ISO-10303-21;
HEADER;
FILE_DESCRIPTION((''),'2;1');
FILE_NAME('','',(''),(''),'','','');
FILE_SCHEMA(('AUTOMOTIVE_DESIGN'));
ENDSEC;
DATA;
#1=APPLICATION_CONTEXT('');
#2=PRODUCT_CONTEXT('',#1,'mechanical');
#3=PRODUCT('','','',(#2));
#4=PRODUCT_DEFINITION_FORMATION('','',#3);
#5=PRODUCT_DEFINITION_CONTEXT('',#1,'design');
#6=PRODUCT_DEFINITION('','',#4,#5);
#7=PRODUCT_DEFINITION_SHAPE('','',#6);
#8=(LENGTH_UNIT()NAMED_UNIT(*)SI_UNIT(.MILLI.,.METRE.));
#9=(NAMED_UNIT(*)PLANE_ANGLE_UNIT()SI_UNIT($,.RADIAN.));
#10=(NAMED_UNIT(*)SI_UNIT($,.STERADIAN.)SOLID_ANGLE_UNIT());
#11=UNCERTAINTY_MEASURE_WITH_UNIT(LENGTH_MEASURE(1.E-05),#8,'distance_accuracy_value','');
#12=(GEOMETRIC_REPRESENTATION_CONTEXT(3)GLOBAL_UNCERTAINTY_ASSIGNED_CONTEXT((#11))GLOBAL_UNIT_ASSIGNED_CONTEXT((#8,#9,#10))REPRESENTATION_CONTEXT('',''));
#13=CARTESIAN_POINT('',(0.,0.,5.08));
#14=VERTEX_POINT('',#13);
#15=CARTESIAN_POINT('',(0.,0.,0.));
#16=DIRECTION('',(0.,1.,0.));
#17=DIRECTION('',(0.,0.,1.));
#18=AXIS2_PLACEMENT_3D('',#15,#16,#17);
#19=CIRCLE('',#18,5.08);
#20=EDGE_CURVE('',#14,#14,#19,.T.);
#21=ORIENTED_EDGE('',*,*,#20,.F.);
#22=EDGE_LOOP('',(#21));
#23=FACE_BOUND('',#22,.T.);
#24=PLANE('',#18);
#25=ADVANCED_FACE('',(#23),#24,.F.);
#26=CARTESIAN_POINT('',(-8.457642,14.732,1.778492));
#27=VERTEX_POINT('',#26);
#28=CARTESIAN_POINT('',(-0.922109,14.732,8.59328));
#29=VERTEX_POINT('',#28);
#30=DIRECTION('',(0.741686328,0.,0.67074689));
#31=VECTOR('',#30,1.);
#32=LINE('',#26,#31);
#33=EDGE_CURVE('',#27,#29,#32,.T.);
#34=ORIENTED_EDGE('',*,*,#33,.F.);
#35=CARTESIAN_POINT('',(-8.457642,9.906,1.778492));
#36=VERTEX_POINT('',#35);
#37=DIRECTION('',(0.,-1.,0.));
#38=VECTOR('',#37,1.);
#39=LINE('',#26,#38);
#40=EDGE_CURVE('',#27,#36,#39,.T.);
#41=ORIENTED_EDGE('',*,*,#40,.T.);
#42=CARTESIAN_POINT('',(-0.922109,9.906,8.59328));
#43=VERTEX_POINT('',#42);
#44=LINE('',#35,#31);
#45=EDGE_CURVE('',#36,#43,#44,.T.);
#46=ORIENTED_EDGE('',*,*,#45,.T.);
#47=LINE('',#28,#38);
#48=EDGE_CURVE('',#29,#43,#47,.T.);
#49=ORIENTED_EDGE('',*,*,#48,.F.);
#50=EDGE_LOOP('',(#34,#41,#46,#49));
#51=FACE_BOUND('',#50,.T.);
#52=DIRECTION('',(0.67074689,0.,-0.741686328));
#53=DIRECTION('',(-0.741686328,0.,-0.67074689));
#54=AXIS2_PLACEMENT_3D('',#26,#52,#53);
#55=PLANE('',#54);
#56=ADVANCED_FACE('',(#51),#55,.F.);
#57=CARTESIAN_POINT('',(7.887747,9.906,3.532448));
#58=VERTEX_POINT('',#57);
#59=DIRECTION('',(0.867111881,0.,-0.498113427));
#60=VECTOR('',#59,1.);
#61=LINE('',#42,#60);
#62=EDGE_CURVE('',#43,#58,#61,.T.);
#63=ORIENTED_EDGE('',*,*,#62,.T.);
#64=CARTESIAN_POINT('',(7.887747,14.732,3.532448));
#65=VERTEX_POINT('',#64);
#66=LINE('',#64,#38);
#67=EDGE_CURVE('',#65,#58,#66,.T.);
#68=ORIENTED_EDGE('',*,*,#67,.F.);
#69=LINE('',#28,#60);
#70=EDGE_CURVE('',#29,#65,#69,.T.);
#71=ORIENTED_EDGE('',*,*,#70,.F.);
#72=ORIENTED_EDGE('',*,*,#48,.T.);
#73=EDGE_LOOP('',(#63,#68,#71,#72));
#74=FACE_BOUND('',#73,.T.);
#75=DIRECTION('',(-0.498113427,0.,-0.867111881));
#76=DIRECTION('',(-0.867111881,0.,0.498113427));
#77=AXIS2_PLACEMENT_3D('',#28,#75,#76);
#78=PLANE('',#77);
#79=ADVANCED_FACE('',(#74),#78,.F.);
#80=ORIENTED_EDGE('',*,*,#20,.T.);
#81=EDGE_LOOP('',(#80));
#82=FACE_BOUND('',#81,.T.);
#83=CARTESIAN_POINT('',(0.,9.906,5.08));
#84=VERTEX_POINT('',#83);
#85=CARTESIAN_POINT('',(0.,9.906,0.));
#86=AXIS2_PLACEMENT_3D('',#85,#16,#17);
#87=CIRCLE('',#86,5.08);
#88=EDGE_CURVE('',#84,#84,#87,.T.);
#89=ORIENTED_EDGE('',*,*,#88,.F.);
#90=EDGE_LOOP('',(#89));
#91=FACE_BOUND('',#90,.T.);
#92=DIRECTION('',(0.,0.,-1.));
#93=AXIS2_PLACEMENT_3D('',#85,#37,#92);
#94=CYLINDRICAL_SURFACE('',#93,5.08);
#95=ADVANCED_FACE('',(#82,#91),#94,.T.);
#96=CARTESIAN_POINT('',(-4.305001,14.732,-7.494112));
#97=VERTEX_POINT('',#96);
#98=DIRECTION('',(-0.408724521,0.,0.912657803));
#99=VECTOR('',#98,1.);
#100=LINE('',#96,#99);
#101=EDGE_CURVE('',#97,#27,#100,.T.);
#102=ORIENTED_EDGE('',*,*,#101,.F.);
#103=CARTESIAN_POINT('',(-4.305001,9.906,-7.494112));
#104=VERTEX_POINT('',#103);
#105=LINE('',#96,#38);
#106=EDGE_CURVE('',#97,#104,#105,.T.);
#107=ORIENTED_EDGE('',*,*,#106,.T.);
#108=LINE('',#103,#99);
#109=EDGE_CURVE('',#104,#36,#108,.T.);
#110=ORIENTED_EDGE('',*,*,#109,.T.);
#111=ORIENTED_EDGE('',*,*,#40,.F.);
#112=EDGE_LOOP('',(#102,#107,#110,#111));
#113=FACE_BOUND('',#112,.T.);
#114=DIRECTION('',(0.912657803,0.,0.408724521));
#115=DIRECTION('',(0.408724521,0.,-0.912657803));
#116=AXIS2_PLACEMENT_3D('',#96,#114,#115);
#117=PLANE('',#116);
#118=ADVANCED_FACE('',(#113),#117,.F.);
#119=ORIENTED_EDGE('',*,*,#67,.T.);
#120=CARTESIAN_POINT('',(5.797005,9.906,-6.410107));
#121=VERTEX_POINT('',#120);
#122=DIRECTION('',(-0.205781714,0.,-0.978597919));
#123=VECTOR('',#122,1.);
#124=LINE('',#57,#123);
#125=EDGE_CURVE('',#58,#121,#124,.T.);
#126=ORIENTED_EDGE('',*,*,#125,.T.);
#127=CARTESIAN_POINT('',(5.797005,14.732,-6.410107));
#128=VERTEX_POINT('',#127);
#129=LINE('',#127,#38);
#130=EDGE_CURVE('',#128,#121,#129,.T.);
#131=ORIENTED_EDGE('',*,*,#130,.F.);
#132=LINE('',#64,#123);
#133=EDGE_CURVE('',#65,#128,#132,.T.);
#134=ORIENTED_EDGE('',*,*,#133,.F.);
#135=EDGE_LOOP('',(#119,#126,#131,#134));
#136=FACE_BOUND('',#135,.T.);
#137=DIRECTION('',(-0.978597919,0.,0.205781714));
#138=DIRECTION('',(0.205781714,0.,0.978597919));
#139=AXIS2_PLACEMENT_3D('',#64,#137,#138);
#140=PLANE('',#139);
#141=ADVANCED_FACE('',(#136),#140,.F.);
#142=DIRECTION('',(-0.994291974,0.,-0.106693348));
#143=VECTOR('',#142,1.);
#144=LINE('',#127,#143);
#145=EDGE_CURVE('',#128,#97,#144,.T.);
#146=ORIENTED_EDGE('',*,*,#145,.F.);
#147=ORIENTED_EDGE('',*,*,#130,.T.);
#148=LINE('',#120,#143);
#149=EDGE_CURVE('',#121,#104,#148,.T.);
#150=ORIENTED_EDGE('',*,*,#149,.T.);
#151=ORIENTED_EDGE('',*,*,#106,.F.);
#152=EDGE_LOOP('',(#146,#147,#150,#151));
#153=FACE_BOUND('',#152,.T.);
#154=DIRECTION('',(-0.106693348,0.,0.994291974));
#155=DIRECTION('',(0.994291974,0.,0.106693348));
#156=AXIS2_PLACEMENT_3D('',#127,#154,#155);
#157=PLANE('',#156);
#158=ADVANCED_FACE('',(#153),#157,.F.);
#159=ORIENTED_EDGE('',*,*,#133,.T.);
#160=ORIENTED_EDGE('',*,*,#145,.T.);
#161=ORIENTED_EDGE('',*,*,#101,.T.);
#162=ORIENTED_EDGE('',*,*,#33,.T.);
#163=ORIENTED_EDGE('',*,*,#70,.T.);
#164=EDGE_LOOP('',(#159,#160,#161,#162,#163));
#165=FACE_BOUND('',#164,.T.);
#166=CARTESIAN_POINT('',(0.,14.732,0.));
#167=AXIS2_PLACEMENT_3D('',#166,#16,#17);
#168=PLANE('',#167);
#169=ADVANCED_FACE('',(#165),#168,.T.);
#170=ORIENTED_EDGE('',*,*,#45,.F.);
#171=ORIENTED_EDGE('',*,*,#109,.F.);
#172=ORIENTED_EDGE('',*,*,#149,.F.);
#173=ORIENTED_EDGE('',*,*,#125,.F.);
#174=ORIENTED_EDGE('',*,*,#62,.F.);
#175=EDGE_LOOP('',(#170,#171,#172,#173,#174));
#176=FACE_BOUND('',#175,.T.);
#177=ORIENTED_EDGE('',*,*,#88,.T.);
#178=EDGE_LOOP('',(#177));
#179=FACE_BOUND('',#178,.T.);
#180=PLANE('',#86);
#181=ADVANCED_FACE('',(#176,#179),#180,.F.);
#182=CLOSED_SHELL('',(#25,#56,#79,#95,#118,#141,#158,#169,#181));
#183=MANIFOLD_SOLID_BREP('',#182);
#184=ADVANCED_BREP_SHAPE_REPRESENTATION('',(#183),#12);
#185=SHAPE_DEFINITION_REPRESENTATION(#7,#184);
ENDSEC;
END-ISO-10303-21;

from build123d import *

# Parameters (mm, degrees)
SKETCH1_R           = 5.08
BOSS_EXTRUDE1_DEPTH = 9.906
BOSS_EXTRUDE2_DEPTH = 4.826


with BuildPart() as part:
    # Sketch1 → Boss-Extrude1 (new body)
    with BuildSketch(Plane(origin=(0, 0, 0), x_dir=(1, 0, 0), z_dir=(0, 1, 0))):
        Circle(SKETCH1_R)
    extrude(amount=BOSS_EXTRUDE1_DEPTH)

    # Sketch2 → Boss-Extrude2 (add)
    with BuildSketch(Plane(origin=(0, 9.906, 0), x_dir=(1, 0, 0), z_dir=(0, 1, 0))):
        Polygon((7.887747477, -3.532447537), (5.797005266, 6.410107316), (-4.305001189, 7.49411173), (-8.457642323, -1.778491551), (-0.922109231, -8.593279957), align=None)
    extrude(amount=BOSS_EXTRUDE2_DEPTH)


solid = part.part
